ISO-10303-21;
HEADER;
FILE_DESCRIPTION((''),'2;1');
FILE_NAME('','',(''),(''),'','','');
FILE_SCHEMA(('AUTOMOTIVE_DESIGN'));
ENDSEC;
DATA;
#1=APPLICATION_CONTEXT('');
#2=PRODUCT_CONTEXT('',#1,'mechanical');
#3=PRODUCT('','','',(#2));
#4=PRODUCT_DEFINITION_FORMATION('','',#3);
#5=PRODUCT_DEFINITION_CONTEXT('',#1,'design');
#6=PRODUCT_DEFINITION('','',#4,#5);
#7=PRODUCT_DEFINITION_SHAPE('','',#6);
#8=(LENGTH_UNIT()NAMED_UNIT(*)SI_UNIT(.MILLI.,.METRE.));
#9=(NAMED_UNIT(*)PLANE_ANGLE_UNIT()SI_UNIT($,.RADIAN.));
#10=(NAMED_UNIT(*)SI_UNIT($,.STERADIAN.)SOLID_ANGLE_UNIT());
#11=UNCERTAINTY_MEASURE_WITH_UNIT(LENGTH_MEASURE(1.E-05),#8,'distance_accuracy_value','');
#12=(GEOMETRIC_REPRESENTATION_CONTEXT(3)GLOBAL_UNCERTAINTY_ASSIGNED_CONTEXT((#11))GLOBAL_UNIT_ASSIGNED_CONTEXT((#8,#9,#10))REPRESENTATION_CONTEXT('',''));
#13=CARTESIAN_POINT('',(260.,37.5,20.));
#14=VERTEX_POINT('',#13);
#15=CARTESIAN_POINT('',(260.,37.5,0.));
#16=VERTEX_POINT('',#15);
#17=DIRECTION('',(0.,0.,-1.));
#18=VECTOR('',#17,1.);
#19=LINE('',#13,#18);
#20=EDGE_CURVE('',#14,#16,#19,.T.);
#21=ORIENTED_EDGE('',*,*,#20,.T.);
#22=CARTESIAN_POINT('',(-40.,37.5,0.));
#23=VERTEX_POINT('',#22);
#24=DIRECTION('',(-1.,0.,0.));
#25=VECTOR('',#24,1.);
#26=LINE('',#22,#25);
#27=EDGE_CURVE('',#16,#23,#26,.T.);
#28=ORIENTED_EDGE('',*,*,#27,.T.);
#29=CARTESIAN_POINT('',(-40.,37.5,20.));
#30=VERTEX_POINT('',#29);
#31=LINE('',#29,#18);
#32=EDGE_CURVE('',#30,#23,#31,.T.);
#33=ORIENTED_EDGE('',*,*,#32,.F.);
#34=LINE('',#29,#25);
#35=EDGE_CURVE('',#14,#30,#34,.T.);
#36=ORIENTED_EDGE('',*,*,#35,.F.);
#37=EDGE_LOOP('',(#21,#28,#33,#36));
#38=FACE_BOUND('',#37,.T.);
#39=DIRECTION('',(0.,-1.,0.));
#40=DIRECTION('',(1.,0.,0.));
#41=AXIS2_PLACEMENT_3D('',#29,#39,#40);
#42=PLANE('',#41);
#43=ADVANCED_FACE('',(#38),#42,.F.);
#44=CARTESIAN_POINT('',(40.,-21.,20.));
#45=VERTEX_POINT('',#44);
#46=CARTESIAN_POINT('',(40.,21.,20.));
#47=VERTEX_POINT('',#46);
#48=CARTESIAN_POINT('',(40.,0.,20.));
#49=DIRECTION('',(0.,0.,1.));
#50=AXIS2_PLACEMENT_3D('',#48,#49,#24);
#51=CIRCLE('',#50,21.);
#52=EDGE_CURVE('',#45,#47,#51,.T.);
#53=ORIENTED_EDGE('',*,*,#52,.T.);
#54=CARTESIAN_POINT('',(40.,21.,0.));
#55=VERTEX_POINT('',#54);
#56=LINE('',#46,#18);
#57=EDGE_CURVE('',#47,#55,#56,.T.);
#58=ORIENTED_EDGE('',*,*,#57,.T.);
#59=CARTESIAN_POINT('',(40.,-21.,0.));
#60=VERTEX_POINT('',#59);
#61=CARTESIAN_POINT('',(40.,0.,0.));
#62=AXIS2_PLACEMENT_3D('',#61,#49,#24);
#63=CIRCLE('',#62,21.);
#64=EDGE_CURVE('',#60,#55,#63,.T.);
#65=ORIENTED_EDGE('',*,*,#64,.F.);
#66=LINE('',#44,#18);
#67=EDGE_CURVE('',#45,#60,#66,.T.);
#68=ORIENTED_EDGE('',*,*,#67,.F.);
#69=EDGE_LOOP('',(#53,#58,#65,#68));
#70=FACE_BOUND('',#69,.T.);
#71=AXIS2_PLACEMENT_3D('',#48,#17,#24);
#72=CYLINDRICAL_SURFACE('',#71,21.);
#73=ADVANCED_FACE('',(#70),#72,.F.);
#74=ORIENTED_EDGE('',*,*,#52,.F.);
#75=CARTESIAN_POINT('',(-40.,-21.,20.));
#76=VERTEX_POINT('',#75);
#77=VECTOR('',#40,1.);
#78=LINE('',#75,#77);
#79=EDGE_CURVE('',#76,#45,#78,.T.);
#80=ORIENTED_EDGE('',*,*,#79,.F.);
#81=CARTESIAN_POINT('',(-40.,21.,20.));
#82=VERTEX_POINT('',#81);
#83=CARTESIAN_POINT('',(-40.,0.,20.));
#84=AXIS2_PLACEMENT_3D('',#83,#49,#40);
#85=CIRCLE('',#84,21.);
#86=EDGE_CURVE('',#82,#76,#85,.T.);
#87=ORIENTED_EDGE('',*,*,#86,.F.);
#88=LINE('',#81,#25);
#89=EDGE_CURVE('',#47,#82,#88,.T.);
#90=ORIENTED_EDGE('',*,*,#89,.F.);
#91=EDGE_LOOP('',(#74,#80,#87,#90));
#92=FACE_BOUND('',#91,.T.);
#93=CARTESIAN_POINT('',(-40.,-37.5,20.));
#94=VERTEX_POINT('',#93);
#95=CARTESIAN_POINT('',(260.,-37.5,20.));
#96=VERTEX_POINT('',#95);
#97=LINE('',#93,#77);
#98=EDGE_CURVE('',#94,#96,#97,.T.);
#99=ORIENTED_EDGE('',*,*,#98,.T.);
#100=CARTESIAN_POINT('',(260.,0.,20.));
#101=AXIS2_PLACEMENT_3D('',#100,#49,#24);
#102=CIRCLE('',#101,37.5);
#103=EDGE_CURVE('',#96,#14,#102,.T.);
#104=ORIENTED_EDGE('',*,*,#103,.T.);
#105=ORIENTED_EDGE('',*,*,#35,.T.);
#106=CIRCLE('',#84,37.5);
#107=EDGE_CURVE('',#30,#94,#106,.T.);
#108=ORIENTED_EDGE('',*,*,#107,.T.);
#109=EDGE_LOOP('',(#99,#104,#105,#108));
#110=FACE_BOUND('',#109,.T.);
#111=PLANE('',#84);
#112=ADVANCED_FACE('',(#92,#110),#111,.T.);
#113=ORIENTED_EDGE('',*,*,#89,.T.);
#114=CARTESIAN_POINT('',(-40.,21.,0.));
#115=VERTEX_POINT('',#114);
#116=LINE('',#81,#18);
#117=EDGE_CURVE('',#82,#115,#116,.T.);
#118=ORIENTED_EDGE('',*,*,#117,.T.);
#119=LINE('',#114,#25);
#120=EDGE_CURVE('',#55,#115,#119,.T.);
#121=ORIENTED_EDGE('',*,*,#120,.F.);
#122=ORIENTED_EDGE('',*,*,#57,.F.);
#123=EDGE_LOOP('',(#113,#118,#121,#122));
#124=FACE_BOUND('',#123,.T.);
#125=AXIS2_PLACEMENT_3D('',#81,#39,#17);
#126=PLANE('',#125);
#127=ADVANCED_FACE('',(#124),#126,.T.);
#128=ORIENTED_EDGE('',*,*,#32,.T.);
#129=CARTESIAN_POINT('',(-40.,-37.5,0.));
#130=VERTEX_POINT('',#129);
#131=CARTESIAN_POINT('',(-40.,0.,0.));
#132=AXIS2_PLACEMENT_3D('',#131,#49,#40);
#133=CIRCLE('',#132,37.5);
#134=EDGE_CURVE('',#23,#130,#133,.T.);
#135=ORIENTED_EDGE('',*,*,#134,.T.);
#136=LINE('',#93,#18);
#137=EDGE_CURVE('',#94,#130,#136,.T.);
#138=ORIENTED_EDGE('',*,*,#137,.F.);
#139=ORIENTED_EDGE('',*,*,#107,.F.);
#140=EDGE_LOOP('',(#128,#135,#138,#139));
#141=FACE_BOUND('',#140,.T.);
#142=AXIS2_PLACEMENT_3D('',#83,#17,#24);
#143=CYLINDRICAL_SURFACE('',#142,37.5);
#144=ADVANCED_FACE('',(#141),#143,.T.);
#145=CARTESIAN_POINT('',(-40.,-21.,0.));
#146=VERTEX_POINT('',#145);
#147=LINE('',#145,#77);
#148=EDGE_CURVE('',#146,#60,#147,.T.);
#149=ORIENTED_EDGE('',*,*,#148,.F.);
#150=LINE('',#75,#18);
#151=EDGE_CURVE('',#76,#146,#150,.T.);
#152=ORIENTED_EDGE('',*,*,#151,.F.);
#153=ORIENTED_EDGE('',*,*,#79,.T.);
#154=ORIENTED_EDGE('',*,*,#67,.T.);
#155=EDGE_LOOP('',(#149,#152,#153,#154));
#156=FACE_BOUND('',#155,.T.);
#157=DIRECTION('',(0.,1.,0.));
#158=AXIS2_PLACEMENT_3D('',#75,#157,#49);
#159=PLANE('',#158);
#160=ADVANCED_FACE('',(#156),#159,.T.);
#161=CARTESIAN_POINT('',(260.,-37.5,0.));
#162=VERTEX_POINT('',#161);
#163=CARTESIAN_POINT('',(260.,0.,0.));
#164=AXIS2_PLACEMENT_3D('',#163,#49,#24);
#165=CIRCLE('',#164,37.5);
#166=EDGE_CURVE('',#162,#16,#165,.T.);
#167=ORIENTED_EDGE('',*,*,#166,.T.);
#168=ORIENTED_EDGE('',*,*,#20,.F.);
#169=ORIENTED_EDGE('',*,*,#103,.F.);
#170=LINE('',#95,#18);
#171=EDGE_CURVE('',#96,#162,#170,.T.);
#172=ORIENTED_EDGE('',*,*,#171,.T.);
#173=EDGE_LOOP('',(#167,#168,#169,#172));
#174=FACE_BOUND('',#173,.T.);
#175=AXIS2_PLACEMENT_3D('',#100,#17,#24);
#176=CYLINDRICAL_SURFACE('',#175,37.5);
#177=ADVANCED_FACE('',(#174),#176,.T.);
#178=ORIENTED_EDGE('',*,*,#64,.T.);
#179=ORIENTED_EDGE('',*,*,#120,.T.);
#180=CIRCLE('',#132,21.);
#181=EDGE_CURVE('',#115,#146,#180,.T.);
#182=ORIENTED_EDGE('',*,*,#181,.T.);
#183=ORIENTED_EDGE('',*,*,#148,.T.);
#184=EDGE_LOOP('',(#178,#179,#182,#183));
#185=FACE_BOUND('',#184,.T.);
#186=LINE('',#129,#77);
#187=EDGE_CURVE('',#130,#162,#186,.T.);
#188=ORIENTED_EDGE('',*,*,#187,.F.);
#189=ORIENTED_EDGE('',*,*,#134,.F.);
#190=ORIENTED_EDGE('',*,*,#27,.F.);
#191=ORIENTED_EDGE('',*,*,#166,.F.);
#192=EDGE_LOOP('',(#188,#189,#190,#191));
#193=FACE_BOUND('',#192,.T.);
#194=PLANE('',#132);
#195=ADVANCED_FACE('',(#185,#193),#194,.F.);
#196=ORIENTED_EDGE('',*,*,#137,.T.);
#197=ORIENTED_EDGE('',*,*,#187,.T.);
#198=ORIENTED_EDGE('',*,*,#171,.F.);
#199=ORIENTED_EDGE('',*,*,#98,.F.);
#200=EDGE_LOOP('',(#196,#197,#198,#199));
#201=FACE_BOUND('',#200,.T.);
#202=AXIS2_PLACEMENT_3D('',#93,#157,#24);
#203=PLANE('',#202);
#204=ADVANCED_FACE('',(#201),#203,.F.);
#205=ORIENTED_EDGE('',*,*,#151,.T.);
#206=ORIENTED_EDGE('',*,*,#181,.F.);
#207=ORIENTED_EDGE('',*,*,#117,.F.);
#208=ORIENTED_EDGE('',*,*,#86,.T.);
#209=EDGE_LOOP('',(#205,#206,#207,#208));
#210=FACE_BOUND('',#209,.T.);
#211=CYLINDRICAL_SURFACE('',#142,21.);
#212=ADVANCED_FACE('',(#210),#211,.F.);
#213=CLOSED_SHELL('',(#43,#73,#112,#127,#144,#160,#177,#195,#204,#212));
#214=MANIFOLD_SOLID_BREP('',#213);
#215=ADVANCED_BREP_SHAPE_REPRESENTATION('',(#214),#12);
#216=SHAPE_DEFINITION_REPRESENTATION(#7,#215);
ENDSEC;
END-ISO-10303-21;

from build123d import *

# Parameters (mm, degrees)
EXTRUDE1_DEPTH = 20


with BuildPart() as part:
    # Sketch1 → Extrude1 (new body)
    with BuildSketch(Plane.XY):
        with BuildLine():
            Line((-40, 37.5), (260, 37.5))
            ThreePointArc((260, 37.5), (297.5, 0), (260, -37.5))
            Line((260, -37.5), (-40, -37.5))
            ThreePointArc((-40, -37.5), (-77.5, 0), (-40, 37.5))
        make_face()
        with BuildLine():
            Line((-40, 21), (40, 21))
            ThreePointArc((40, 21), (61, 0), (40, -21))
            Line((40, -21), (-40, -21))
            ThreePointArc((-40, -21), (-61, 0), (-40, 21))
        make_face(mode=Mode.SUBTRACT)
    extrude(amount=EXTRUDE1_DEPTH)


solid = part.part
